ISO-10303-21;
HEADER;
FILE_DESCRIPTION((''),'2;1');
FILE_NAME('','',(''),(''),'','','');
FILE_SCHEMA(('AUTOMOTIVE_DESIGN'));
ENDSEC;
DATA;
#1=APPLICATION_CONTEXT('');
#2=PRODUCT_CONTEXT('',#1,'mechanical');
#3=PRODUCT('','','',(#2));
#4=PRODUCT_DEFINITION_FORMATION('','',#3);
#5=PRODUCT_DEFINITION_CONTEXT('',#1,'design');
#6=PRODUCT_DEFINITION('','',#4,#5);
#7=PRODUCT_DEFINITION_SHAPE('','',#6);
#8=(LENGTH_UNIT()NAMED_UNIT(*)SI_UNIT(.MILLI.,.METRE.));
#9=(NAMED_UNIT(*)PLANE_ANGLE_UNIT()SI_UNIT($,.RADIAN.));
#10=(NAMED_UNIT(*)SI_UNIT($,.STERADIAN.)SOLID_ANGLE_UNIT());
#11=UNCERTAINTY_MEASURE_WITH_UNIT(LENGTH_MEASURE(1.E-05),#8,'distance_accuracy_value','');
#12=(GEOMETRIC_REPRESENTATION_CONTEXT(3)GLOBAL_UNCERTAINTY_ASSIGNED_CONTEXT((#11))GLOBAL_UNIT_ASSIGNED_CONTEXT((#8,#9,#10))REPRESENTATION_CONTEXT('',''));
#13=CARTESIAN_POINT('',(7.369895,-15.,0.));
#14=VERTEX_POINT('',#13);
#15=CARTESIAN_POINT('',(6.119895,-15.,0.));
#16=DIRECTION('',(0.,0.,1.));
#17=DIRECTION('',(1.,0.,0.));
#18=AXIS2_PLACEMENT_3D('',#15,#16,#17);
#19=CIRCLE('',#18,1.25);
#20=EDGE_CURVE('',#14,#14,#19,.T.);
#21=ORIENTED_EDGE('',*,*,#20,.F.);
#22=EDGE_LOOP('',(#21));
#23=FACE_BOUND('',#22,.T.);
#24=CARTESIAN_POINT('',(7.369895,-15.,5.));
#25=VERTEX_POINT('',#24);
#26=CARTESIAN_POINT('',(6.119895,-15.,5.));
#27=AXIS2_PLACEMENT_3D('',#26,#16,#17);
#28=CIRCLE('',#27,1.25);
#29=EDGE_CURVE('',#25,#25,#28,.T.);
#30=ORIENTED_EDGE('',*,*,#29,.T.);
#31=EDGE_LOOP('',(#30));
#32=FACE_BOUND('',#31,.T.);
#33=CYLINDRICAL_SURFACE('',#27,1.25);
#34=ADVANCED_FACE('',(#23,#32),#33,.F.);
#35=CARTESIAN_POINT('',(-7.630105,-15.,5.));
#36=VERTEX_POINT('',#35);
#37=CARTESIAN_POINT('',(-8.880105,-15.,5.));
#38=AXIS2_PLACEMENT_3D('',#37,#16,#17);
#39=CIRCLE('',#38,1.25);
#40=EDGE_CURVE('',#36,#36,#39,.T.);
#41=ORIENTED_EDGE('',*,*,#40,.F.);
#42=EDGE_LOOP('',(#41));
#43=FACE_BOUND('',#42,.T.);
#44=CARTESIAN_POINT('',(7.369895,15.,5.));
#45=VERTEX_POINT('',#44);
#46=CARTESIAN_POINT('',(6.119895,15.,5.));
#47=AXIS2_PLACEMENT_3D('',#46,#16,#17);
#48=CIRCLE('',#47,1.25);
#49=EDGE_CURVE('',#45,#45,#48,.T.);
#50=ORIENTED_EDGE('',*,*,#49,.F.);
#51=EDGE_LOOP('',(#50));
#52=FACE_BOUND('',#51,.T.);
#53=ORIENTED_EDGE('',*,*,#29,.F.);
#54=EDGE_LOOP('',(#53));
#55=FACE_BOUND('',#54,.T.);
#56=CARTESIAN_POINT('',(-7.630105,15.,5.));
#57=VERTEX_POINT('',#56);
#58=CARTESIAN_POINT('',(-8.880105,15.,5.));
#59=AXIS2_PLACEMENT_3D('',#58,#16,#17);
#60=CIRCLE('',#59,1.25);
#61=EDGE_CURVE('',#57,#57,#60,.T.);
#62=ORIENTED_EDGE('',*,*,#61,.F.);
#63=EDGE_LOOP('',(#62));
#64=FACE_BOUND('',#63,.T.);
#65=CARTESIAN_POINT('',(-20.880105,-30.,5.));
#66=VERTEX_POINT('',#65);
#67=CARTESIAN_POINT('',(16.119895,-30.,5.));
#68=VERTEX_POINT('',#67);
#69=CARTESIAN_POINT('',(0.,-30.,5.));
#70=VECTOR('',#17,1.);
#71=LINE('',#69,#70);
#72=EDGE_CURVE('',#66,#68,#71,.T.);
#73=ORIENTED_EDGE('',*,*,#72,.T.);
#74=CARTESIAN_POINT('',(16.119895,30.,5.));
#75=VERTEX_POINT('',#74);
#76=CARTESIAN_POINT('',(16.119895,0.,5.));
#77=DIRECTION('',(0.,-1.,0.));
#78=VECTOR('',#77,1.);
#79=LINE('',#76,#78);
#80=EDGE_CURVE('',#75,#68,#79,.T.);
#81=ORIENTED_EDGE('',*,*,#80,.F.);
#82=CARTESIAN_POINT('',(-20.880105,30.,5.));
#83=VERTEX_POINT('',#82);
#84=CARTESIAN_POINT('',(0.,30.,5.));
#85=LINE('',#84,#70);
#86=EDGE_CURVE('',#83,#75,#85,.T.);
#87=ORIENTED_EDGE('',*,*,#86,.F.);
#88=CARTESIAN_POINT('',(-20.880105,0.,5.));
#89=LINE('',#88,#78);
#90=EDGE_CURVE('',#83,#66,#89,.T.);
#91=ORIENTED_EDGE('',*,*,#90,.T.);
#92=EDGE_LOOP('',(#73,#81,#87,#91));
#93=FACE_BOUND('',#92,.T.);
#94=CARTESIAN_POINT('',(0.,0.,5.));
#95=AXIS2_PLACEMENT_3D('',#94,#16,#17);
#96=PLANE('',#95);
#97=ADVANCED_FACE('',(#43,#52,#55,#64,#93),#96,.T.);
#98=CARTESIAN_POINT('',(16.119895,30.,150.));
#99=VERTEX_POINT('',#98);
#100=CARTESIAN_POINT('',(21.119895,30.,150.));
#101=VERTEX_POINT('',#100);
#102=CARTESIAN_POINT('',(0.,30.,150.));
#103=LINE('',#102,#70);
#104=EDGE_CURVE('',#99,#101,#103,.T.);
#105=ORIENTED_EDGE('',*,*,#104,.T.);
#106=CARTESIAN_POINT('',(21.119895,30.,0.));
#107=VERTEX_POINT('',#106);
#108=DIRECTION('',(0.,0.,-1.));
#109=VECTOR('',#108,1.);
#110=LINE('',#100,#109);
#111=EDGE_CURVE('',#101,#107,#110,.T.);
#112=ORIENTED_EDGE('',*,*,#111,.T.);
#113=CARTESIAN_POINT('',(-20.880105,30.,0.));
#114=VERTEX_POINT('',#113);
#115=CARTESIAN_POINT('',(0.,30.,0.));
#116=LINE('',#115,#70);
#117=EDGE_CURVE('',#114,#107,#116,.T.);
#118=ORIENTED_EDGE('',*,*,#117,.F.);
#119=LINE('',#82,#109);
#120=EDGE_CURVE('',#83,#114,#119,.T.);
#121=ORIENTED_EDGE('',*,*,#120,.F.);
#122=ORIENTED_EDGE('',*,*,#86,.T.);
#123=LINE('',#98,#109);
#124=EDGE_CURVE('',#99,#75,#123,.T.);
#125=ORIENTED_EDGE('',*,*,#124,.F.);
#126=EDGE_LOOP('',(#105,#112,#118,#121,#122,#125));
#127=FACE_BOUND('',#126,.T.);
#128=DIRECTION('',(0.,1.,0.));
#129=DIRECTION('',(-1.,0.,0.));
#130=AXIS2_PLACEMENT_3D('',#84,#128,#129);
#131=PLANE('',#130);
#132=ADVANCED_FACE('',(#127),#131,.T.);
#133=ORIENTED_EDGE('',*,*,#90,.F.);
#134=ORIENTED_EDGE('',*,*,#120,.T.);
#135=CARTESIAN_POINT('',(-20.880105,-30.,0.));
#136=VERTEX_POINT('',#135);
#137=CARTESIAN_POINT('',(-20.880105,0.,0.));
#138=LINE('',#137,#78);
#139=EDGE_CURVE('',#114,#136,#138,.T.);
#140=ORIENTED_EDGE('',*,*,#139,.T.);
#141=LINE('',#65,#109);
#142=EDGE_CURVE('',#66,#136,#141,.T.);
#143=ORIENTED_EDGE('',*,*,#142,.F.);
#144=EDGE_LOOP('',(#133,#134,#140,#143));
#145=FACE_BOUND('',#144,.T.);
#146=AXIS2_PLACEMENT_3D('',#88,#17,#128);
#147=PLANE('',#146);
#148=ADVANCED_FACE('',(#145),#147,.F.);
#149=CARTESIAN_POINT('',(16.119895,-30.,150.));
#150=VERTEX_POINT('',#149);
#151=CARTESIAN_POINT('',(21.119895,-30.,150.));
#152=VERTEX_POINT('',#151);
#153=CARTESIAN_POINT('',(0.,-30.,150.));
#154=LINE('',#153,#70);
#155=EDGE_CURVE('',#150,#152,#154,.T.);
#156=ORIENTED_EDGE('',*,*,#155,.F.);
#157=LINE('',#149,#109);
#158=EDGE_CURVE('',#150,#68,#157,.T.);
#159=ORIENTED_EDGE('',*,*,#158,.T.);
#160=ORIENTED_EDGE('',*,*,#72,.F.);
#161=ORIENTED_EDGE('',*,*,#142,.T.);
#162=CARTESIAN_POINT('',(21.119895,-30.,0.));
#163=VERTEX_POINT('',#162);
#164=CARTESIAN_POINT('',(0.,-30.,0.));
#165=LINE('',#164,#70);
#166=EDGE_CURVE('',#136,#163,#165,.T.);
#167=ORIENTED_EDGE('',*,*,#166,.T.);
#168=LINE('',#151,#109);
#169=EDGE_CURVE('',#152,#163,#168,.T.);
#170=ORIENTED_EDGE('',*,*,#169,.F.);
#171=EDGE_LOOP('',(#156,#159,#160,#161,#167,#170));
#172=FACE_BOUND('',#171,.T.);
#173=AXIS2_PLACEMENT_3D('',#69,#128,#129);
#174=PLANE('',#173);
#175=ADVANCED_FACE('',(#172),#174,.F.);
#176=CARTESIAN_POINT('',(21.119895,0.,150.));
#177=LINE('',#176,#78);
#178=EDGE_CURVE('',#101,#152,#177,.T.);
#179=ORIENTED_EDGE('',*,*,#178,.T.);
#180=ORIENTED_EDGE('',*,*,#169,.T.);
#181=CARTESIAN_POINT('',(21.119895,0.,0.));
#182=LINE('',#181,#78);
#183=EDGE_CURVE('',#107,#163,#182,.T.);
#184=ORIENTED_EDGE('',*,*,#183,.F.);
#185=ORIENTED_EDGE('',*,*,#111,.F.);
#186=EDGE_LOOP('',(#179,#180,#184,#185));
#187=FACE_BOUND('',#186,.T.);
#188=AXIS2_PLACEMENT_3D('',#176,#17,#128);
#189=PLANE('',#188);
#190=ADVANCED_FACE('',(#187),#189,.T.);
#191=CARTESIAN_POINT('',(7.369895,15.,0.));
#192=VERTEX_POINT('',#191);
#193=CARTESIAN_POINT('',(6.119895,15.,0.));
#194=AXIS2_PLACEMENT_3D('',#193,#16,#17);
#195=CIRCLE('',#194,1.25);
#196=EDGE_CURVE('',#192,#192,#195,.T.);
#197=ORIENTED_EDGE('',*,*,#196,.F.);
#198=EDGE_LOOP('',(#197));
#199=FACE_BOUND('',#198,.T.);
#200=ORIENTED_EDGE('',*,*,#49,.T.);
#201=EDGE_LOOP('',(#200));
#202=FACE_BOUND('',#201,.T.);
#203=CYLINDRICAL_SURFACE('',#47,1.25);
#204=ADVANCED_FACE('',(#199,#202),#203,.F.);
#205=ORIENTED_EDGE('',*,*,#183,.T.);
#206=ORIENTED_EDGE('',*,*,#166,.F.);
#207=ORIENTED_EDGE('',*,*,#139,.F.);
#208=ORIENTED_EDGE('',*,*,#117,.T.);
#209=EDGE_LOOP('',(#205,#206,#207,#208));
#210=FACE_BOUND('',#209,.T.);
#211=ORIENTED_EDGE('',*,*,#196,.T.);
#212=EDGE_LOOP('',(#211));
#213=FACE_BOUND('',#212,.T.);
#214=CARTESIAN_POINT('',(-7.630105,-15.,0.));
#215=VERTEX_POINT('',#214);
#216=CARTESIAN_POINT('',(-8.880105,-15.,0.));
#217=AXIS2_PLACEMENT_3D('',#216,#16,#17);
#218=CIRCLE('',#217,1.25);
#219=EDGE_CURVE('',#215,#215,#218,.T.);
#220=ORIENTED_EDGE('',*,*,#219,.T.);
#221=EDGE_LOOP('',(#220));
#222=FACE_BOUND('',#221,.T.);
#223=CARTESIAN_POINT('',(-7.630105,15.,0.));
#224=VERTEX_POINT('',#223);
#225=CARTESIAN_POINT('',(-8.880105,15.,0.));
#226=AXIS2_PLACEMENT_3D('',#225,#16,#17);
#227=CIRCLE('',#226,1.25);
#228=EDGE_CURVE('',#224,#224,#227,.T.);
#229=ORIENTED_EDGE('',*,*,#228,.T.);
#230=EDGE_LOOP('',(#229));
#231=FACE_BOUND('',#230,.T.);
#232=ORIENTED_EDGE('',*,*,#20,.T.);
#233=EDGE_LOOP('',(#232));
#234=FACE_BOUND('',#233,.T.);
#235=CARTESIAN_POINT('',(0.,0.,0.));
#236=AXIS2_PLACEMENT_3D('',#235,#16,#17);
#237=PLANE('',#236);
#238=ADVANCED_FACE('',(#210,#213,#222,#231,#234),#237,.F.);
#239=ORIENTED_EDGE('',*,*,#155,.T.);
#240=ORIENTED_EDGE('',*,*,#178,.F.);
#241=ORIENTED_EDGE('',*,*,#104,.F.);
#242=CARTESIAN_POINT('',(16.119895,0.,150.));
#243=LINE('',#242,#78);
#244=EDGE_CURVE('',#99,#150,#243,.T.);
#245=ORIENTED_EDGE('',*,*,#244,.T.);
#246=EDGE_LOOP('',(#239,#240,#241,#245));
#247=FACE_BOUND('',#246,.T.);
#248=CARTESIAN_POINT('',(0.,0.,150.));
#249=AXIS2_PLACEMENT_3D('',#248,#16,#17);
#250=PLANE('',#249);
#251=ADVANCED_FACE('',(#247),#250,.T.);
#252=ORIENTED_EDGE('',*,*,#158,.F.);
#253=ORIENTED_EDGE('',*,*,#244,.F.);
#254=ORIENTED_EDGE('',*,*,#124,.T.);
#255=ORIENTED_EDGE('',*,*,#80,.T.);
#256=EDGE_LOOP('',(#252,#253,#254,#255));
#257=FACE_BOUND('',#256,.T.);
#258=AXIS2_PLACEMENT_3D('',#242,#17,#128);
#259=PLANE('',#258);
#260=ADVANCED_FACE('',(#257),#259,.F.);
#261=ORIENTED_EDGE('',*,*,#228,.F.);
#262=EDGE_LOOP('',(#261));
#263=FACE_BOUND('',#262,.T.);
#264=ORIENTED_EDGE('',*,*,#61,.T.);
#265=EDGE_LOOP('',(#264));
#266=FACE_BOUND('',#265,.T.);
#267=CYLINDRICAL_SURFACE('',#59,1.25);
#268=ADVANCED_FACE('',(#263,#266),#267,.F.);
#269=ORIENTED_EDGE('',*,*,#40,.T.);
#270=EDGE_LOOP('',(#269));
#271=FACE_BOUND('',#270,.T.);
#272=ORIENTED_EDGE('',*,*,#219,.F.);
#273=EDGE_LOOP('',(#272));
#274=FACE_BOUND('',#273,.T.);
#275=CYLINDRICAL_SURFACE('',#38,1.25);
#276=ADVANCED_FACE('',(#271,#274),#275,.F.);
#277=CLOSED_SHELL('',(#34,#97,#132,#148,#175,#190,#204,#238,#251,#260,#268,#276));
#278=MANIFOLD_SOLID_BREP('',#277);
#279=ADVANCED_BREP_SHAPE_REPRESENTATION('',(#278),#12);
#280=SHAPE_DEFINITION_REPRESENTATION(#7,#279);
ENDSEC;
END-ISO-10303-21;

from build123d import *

# Parameters (mm, degrees)
SKETCH_1_W         = 37
SKETCH_1_H         = 60
EXTRUDE_1_DEPTH    = 5
SKETCH_1_3_W       = 5
SKETCH_1_3_H       = 60
EXTRUDE_2_DEPTH    = 150
HOLE_WIZARD_M3_1_D = 2.5


with BuildPart() as part:
    # 草图1 → 凸台-拉伸1 (new body)
    with BuildSketch(Plane.XY):
        with Locations((-2.380104714, 0)):
            Rectangle(SKETCH_1_W, SKETCH_1_H)
    extrude(amount=EXTRUDE_1_DEPTH)

    # 草图1<3> → 凸台-拉伸2 (add)
    with BuildSketch(Plane.XY):
        with Locations((18.619895286, 0)):
            Rectangle(SKETCH_1_3_W, SKETCH_1_3_H)
    extrude(amount=EXTRUDE_2_DEPTH)

    # M3 螺纹孔的螺纹孔钻头1 (through all)
    with Locations(Plane(origin=(-8.880104714, 15, 5), x_dir=(1, 0, 0), z_dir=(0, 0, 1))):
        with Locations((0, 0), (15, 0)):
            hole_wizard_m3_1 = Hole(HOLE_WIZARD_M3_1_D / 2)

    # 镜向1: M3 螺纹孔的螺纹孔钻头1 across plane
    add(hole_wizard_m3_1.mirror(Plane.ZX), mode=Mode.SUBTRACT)


solid = part.part
